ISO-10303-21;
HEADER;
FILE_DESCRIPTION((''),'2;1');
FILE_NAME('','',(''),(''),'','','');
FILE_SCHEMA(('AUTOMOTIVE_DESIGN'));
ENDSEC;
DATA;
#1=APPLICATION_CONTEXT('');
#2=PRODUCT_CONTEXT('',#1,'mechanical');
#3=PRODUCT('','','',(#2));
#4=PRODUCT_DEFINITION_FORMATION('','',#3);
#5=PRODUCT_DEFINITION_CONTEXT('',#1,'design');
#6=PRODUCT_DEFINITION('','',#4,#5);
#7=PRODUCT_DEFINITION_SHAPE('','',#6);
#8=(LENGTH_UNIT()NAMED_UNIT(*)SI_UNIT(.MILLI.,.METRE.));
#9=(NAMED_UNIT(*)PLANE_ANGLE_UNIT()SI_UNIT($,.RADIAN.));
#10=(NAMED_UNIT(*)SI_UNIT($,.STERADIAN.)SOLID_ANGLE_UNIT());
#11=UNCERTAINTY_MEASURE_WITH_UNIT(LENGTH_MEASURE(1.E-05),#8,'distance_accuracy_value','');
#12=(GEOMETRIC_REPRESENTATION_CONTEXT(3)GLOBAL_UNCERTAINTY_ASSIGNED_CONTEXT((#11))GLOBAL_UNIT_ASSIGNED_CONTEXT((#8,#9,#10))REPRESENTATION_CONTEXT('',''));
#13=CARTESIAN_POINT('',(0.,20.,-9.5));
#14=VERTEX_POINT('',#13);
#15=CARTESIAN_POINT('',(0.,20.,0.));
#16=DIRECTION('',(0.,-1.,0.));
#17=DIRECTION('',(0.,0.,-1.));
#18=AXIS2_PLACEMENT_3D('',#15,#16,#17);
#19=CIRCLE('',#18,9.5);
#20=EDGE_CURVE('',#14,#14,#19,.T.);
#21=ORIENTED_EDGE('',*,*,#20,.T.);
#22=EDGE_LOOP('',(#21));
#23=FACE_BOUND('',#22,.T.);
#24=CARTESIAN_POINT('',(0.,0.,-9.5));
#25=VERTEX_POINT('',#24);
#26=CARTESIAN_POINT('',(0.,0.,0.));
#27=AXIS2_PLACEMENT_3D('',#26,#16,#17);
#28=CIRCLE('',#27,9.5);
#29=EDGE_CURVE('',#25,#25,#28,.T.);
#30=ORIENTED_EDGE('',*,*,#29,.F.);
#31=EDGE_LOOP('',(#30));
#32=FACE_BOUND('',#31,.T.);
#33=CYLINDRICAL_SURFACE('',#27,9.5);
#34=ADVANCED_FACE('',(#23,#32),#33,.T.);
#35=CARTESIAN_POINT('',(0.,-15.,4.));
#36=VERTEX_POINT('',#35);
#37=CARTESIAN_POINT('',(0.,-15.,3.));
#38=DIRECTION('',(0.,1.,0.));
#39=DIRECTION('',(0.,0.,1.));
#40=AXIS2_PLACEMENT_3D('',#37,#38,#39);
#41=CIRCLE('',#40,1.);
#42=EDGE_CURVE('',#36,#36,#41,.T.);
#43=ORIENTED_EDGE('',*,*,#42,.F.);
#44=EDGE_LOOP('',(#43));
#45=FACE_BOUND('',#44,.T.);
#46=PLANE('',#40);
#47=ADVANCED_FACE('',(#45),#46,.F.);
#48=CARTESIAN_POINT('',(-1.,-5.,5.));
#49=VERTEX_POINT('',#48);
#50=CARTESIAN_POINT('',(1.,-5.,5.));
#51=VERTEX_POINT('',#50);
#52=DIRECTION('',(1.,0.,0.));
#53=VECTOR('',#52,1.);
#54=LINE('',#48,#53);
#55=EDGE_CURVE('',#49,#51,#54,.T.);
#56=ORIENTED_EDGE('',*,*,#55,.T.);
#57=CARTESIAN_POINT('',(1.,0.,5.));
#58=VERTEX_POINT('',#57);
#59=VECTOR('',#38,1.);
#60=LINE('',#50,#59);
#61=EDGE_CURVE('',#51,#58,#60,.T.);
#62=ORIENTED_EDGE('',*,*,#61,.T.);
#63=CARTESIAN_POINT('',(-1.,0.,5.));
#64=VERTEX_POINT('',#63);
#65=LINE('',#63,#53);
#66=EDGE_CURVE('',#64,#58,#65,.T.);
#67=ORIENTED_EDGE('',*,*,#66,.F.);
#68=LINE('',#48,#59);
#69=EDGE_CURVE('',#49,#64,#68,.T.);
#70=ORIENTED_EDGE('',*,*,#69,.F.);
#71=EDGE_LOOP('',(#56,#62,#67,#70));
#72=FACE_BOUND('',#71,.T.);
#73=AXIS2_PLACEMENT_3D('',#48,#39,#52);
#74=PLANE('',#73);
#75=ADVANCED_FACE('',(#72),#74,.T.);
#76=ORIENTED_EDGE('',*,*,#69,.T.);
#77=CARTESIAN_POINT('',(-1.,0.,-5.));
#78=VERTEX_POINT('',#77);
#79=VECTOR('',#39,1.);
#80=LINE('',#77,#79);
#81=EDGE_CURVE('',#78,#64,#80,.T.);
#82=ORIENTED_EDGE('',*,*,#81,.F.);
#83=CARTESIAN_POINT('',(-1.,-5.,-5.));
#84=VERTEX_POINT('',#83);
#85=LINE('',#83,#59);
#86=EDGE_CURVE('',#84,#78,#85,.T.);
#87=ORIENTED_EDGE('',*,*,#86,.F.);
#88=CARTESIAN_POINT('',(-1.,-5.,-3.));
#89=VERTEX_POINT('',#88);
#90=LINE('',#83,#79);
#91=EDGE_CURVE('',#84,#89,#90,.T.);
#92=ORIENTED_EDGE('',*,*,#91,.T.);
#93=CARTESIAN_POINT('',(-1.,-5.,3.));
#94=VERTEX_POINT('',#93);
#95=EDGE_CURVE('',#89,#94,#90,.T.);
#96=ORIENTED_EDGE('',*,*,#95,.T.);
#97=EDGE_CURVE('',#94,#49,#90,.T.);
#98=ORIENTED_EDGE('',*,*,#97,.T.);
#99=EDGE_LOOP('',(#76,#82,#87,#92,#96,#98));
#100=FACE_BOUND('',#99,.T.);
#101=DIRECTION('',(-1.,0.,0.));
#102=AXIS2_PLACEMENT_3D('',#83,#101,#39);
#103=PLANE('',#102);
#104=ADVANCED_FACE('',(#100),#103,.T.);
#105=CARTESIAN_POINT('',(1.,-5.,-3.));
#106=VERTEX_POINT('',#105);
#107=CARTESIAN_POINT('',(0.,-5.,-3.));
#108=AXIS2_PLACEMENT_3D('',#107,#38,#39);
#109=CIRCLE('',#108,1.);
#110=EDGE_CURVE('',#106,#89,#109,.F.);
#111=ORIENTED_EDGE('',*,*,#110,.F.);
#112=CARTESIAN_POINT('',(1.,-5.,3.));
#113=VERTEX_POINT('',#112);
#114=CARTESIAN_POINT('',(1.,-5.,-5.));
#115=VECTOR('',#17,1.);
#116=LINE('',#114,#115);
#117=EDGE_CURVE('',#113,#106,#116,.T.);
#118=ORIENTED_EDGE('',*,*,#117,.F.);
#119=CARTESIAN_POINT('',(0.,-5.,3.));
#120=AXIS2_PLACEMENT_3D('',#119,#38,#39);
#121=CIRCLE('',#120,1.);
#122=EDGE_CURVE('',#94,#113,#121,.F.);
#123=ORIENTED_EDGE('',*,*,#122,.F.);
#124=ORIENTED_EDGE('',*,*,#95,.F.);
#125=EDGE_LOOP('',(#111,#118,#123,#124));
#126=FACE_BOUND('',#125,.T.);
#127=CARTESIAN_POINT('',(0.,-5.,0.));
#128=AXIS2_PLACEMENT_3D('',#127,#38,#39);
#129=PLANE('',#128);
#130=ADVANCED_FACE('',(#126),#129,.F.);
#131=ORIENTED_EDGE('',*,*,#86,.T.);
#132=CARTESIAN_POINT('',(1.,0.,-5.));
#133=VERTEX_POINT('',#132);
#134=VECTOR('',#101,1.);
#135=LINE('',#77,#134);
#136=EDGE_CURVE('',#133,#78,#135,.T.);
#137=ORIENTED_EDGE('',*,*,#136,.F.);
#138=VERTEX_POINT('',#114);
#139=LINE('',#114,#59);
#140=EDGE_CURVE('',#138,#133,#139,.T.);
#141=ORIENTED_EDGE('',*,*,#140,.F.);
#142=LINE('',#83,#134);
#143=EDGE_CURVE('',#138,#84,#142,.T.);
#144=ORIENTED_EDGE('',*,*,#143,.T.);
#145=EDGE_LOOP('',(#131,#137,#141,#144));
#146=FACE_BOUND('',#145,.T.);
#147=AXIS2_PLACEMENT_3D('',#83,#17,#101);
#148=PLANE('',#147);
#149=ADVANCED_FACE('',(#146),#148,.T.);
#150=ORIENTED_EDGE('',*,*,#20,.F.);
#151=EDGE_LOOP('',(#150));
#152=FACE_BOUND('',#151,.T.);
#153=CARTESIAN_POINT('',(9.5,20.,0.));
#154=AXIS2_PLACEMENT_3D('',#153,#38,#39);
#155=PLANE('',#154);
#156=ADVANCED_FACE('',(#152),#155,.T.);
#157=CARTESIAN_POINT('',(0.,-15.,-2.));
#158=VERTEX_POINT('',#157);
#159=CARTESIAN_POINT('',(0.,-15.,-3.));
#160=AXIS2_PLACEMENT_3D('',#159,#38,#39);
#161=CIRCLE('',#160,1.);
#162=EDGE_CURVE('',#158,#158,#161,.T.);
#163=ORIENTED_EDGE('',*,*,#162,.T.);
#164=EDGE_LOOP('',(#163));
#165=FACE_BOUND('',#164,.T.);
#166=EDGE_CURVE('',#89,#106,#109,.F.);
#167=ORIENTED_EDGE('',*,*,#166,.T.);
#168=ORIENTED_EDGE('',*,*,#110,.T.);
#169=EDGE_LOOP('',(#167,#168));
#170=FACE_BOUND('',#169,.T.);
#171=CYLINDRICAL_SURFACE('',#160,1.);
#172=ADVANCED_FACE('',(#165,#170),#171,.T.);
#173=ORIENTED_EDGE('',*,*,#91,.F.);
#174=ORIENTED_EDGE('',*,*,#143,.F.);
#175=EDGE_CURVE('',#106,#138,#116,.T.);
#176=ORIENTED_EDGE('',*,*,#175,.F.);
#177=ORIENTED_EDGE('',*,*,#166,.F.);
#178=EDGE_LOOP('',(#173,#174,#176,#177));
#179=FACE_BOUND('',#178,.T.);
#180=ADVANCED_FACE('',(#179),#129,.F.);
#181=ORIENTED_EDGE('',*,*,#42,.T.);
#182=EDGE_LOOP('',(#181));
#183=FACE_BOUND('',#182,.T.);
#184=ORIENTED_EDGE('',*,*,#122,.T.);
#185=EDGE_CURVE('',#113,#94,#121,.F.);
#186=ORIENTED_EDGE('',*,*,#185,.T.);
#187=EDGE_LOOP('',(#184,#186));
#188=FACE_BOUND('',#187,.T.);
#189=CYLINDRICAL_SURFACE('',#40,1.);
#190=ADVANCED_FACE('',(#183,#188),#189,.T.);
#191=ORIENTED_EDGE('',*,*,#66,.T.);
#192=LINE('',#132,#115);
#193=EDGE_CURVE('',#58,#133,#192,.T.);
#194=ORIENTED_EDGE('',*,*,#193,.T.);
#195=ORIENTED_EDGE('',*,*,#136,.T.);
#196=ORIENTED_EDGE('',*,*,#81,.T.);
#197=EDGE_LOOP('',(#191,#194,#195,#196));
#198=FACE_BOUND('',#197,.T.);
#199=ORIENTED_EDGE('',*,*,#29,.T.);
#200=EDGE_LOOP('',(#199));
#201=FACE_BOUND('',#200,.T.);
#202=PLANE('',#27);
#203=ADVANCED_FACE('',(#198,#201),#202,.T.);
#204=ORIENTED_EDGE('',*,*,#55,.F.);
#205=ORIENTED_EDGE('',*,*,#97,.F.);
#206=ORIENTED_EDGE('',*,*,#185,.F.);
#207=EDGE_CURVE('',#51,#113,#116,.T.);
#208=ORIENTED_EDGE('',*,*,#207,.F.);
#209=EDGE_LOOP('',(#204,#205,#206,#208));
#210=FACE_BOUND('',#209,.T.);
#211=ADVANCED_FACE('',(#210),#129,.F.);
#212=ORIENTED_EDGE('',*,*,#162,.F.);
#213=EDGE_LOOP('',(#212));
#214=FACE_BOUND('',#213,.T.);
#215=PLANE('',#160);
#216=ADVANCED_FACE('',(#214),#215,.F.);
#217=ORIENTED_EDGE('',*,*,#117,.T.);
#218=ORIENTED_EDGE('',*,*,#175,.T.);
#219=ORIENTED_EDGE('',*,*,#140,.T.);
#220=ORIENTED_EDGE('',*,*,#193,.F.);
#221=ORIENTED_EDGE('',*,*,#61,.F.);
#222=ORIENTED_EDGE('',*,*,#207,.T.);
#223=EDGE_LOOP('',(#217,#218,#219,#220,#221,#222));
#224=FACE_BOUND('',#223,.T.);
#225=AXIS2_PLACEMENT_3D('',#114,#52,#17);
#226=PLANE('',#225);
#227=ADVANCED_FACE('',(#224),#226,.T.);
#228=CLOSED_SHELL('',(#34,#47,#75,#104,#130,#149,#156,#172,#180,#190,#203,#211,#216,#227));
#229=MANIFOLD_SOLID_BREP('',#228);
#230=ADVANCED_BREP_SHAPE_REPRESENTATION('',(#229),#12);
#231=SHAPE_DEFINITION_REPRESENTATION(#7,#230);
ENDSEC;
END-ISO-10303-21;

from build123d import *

# Parameters (mm, degrees)
SKETCH_1_W        = 9.5
SKETCH_1_H        = 20
SKETCH_2_R        = 1
EXTRUDE_457_DEPTH = 15
SKETCH_3_W        = 2
SKETCH_3_H        = 10
EXTRUDE_556_DEPTH = 5


with BuildPart() as part:
    # Эскиз1 → Revolve 326 (revolve)
    with BuildSketch(Plane.XY, mode=Mode.PRIVATE) as revolve_326_sk:
        with Locations((4.75, 10)):
            Rectangle(SKETCH_1_W, SKETCH_1_H)
    revolve(revolve_326_sk.sketch.rotate(Axis((0, 0, 0), (0, 1, 0)), 90), axis=Axis((0, 0, 0), (0, 1, 0)))

    # Эскиз2 → Extrude 457 (add)
    with BuildSketch(Plane(origin=(0, 0, 0), x_dir=(1, 0, 0), z_dir=(0, 1, 0))):
        with Locations(Location((0, -3, 0), (0, 0, 270))):
            Circle(SKETCH_2_R)
        with Locations(Location((0, 3, 0), (0, 0, 270))):
            Circle(SKETCH_2_R)
    extrude(amount=-EXTRUDE_457_DEPTH)

    # Эскиз3 → Extrude 556 (add)
    with BuildSketch(Plane(origin=(0, 0, 0), x_dir=(1, 0, 0), z_dir=(0, 1, 0))):
        Rectangle(SKETCH_3_W, SKETCH_3_H)
    extrude(amount=-EXTRUDE_556_DEPTH)


solid = part.part
